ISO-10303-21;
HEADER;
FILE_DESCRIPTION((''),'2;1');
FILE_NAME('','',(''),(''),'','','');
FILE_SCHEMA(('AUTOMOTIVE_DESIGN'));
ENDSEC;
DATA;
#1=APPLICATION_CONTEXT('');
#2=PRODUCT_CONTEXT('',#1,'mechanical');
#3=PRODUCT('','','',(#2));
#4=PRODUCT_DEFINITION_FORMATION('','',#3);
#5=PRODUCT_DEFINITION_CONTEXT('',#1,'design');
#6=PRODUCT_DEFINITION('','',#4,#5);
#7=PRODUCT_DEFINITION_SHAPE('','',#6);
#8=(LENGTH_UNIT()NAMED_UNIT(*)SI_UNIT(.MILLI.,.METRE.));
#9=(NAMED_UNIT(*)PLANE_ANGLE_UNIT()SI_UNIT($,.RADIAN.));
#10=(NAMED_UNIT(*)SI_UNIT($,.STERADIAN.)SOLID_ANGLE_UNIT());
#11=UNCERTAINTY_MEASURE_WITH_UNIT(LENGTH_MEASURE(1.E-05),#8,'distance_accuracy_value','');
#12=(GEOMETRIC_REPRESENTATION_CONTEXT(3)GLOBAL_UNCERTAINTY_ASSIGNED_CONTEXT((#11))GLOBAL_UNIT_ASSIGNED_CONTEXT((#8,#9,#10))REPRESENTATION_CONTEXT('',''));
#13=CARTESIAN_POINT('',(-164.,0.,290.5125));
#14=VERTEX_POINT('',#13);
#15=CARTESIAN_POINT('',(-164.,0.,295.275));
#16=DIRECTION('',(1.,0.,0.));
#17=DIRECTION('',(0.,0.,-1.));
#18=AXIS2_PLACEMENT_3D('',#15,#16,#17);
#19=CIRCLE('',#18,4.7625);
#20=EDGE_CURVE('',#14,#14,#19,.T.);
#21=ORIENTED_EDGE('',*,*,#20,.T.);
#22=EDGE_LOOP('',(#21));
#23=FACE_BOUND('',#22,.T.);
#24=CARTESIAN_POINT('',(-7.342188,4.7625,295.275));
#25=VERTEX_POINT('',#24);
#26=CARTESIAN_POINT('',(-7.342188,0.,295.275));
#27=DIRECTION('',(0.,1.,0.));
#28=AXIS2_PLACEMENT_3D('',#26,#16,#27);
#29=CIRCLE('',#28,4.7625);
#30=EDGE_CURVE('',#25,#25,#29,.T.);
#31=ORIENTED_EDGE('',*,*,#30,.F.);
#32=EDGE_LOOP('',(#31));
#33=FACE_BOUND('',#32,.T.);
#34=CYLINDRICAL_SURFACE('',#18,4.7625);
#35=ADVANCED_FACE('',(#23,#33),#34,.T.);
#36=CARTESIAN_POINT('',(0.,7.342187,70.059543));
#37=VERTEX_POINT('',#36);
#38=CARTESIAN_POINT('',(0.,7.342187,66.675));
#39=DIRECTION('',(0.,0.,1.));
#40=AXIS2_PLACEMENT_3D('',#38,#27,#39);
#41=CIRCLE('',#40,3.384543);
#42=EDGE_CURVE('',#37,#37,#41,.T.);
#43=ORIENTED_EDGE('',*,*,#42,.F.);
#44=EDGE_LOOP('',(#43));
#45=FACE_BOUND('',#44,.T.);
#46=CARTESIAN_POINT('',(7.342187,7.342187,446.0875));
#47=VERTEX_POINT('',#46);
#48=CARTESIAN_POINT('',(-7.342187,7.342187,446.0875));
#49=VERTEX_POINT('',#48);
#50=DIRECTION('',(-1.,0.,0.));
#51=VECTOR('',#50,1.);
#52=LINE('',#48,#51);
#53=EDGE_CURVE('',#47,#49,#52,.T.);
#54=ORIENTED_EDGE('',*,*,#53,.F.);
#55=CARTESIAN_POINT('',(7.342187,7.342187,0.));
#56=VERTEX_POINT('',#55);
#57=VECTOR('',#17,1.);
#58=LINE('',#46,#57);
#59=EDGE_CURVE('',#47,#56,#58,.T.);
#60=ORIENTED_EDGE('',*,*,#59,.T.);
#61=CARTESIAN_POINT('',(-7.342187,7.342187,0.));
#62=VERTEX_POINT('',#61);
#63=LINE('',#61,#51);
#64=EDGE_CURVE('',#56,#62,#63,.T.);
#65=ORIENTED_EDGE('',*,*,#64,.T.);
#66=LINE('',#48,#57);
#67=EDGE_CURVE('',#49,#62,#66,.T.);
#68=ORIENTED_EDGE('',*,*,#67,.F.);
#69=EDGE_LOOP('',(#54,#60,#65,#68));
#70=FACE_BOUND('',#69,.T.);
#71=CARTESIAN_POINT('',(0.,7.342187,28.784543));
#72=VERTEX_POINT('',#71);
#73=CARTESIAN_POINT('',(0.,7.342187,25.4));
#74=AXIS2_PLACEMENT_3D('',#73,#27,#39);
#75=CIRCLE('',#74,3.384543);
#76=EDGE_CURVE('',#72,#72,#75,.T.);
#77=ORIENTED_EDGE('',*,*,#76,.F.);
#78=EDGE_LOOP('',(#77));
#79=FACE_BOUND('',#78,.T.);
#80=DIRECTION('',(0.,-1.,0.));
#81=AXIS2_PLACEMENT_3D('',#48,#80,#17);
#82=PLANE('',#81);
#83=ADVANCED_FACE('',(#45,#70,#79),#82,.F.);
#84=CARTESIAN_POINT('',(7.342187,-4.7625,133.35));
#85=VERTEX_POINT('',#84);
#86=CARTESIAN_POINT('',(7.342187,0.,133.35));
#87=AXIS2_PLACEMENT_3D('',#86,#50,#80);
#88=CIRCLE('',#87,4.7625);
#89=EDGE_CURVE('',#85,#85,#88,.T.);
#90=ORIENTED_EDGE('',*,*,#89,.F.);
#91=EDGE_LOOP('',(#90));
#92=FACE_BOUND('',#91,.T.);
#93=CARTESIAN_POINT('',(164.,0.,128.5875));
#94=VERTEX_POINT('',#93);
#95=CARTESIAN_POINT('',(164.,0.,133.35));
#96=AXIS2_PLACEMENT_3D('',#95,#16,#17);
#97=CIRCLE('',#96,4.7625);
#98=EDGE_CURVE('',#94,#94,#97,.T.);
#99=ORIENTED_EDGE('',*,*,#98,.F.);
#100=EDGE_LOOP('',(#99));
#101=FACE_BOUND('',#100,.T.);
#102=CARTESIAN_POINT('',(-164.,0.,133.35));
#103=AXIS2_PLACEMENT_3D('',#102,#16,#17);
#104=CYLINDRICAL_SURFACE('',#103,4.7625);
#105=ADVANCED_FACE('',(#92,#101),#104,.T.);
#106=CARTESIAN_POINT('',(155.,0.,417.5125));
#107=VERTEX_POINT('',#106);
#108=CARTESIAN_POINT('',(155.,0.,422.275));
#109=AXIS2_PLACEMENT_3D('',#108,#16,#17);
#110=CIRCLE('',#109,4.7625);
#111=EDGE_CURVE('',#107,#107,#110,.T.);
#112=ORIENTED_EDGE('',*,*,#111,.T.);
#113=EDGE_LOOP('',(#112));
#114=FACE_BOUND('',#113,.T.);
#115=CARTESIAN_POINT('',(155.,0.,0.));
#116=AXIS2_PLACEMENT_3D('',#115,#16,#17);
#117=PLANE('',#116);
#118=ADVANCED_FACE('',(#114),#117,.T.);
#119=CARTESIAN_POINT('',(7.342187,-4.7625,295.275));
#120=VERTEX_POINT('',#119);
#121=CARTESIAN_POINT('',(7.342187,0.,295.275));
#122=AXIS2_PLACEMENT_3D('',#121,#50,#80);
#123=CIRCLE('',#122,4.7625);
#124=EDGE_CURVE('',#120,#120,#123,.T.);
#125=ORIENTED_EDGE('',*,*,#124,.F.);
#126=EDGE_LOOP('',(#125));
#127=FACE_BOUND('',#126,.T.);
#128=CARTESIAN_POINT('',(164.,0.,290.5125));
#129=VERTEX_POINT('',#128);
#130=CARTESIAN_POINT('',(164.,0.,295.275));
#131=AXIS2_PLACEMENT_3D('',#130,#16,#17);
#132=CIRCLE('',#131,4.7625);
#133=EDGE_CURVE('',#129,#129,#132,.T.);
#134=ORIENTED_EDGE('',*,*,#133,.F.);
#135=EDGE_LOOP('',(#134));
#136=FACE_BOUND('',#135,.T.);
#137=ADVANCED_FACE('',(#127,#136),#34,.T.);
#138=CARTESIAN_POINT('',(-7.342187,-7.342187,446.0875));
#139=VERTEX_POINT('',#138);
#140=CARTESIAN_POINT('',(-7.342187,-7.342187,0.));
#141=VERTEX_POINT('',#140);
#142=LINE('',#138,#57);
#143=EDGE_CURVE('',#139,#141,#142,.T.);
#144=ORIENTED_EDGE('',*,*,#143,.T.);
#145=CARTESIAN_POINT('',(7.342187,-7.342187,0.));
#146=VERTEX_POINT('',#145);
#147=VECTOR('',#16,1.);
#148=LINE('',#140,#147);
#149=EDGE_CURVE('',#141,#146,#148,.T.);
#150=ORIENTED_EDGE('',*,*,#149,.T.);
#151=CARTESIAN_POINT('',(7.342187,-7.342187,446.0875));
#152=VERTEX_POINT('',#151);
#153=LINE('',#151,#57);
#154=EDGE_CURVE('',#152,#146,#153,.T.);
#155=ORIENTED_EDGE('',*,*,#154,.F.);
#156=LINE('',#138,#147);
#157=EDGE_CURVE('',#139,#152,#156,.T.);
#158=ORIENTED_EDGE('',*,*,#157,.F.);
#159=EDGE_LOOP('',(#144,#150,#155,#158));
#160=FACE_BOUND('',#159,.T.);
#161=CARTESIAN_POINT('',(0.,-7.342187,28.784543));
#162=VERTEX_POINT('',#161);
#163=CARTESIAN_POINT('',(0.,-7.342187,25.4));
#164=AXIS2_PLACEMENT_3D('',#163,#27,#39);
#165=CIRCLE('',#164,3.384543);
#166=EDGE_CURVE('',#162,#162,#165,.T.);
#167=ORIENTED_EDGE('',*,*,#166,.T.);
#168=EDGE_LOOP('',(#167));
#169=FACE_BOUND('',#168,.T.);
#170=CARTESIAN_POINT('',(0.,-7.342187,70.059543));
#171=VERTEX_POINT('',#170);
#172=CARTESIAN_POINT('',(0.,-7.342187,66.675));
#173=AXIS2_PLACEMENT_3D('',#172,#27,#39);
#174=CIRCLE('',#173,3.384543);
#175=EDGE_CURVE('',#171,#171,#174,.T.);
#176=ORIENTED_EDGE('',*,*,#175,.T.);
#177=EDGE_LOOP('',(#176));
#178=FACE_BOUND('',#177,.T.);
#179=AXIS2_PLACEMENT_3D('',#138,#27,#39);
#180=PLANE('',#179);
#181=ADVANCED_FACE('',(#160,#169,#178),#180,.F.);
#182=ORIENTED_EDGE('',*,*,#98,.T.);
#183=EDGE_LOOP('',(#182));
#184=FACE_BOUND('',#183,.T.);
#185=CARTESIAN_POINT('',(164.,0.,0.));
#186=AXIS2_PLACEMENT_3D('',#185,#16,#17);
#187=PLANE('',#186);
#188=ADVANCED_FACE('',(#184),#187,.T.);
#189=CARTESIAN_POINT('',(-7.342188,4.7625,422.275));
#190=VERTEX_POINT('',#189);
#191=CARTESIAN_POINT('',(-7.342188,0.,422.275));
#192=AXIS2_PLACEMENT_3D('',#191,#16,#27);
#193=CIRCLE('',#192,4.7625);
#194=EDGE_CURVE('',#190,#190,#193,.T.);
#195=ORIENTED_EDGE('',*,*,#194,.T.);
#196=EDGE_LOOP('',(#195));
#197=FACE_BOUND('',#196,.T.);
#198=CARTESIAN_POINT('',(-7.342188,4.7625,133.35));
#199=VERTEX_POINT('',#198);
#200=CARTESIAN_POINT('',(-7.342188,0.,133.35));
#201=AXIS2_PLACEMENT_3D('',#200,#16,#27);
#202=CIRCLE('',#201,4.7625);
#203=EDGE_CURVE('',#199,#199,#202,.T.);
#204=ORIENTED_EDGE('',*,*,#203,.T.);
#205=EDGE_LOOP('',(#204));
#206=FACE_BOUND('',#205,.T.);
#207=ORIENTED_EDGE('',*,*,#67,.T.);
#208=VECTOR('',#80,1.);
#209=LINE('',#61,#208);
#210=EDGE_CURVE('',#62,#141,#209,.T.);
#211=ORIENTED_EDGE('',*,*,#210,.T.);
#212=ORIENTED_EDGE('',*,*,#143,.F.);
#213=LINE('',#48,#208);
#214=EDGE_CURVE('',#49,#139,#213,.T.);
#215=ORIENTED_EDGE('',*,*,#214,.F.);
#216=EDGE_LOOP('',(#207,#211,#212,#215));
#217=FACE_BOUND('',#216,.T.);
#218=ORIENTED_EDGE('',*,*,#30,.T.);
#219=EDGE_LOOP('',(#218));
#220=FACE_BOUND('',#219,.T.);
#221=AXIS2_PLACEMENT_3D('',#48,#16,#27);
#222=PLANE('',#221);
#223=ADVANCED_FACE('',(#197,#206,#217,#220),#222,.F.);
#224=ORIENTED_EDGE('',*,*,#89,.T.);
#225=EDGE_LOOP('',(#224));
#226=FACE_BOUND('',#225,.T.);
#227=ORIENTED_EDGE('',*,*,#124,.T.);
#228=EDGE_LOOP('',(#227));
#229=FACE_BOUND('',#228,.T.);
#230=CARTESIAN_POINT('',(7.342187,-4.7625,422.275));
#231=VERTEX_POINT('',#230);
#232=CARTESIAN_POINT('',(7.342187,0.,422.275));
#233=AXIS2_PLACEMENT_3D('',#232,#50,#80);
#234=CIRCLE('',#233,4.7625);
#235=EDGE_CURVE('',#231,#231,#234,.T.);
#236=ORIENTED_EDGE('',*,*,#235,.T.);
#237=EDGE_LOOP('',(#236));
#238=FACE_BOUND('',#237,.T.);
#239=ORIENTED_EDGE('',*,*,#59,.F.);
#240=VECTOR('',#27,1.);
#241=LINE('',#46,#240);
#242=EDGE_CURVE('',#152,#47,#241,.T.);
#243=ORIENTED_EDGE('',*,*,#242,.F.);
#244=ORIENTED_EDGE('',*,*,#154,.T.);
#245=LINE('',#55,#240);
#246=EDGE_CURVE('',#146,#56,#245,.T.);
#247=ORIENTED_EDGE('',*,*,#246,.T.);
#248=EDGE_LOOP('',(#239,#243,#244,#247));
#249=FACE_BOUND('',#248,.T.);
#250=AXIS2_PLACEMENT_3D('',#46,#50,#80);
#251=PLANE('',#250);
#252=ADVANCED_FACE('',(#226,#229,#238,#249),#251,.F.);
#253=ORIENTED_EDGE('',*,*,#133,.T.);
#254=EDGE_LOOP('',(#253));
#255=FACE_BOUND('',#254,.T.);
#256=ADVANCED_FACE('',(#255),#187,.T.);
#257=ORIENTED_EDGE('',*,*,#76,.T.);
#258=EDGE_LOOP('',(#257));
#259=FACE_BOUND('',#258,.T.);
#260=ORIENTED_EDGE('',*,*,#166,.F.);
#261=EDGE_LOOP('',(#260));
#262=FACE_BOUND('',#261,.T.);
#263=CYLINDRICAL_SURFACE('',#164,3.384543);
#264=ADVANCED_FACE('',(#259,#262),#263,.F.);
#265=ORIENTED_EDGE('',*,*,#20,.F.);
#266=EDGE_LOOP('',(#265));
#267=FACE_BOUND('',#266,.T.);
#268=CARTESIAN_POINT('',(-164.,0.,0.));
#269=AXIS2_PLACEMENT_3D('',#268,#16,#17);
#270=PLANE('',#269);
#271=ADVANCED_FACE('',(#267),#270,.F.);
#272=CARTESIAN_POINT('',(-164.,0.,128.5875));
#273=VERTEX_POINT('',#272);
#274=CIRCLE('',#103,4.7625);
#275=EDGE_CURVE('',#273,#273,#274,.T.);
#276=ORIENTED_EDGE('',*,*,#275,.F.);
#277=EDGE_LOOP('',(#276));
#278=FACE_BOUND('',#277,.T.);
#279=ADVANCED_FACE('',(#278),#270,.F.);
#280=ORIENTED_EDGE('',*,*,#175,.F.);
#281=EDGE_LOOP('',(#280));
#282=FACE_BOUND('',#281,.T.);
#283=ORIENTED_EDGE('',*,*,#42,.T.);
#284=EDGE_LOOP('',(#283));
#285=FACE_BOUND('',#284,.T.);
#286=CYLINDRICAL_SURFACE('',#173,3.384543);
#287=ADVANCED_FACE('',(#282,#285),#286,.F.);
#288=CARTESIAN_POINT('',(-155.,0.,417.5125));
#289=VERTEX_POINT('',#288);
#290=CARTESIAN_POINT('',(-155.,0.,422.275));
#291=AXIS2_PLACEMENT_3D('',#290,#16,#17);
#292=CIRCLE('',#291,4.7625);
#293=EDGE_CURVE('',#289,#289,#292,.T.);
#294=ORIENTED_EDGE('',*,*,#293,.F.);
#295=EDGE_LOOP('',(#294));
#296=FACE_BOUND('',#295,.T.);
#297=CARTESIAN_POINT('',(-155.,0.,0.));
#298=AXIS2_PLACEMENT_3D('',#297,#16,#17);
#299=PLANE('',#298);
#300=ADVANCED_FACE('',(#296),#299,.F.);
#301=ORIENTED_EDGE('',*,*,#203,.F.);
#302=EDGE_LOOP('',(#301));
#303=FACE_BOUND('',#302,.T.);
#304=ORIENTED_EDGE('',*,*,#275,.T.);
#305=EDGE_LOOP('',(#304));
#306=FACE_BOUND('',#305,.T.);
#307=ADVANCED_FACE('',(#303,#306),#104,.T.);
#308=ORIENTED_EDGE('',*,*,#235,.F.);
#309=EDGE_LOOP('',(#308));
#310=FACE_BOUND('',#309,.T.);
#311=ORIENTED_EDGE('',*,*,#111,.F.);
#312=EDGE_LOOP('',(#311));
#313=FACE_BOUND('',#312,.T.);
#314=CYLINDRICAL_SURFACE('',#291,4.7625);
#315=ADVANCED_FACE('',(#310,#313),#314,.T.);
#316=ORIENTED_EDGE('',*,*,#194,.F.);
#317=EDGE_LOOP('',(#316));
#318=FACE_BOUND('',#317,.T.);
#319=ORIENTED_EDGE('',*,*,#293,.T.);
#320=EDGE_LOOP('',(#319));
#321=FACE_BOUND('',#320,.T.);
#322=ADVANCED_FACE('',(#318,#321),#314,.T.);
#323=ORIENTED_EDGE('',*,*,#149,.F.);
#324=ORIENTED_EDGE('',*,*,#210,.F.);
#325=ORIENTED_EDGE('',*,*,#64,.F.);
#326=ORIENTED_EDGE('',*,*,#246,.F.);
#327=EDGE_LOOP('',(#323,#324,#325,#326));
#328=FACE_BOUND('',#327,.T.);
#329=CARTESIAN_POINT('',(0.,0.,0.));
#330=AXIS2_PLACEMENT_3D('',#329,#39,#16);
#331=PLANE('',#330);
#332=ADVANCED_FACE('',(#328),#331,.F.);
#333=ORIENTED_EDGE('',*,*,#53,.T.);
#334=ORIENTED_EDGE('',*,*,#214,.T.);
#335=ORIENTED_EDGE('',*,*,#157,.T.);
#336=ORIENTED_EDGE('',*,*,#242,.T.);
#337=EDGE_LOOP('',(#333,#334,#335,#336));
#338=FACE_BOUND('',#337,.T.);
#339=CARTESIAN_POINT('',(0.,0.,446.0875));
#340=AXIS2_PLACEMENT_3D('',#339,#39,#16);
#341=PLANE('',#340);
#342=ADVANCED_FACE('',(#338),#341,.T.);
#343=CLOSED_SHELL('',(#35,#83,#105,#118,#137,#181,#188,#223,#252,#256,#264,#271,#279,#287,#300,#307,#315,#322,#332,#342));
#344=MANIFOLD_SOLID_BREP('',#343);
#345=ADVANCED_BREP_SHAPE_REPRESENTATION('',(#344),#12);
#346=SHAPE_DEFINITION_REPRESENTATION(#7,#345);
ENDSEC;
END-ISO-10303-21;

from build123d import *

# Parameters (mm, degrees)
SKETCH1_W                = 14.684375
SKETCH1_H                = 14.684375
BOSS_EXTRUDE1_DEPTH      = 446.0875
SKETCH9_R                = 3.384543224
CUT_EXTRUDE1_DEPTH       = 447.389511797
BOSS_EXTRUDE7_DEPTH      = 155
BOSS_EXTRUDE7_DEPTH_BACK = 155
SKETCH3_R                = 4.7625
BOSS_EXTRUDE8_DEPTH      = 164
BOSS_EXTRUDE8_DEPTH_BACK = 164
SKETCH3_3_R              = 4.7625
BOSS_EXTRUDE9_DEPTH      = 164
BOSS_EXTRUDE9_DEPTH_BACK = 164
SKETCH3_4_R              = 4.7625


with BuildPart() as part:
    # Sketch1 → Boss-Extrude1 (new body)
    with BuildSketch(Plane.XY):
        Rectangle(SKETCH1_W, SKETCH1_H)
    extrude(amount=BOSS_EXTRUDE1_DEPTH)

    # Sketch9 → Cut-Extrude1 (cut, through all)
    with BuildSketch(Plane(origin=(0, 7.3421875, 0), x_dir=(1, 0, 0), z_dir=(0, 1, 0))):
        with Locations((0, -25.4)):
            Circle(SKETCH9_R)
        with Locations((0, -66.675)):
            Circle(SKETCH9_R)
    extrude(amount=-CUT_EXTRUDE1_DEPTH, mode=Mode.SUBTRACT)

    # Sketch3 → Boss-Extrude7 (add, two sides: drawn at the far end of the back side and taken through both)
    with BuildSketch(Plane(origin=(0, 0, 0), x_dir=(0, 0, -1), z_dir=(1, 0, 0)).offset(-BOSS_EXTRUDE7_DEPTH_BACK)):
        with Locations((-422.275, 0)):
            Circle(SKETCH3_R)
    extrude(amount=BOSS_EXTRUDE7_DEPTH + BOSS_EXTRUDE7_DEPTH_BACK)

    # Sketch3<3> → Boss-Extrude8 (add, two sides: drawn at the far end of the back side and taken through both)
    with BuildSketch(Plane(origin=(0, 0, 0), x_dir=(0, 0, -1), z_dir=(1, 0, 0)).offset(-BOSS_EXTRUDE8_DEPTH_BACK)):
        with Locations((-133.35, 0)):
            Circle(SKETCH3_3_R)
    extrude(amount=BOSS_EXTRUDE8_DEPTH + BOSS_EXTRUDE8_DEPTH_BACK)

    # Sketch3<4> → Boss-Extrude9 (add, two sides: drawn at the far end of the back side and taken through both)
    with BuildSketch(Plane(origin=(0, 0, 0), x_dir=(0, 0, -1), z_dir=(1, 0, 0)).offset(-BOSS_EXTRUDE9_DEPTH_BACK)):
        with Locations((-295.275, 0)):
            Circle(SKETCH3_4_R)
    extrude(amount=BOSS_EXTRUDE9_DEPTH + BOSS_EXTRUDE9_DEPTH_BACK)


solid = part.part
